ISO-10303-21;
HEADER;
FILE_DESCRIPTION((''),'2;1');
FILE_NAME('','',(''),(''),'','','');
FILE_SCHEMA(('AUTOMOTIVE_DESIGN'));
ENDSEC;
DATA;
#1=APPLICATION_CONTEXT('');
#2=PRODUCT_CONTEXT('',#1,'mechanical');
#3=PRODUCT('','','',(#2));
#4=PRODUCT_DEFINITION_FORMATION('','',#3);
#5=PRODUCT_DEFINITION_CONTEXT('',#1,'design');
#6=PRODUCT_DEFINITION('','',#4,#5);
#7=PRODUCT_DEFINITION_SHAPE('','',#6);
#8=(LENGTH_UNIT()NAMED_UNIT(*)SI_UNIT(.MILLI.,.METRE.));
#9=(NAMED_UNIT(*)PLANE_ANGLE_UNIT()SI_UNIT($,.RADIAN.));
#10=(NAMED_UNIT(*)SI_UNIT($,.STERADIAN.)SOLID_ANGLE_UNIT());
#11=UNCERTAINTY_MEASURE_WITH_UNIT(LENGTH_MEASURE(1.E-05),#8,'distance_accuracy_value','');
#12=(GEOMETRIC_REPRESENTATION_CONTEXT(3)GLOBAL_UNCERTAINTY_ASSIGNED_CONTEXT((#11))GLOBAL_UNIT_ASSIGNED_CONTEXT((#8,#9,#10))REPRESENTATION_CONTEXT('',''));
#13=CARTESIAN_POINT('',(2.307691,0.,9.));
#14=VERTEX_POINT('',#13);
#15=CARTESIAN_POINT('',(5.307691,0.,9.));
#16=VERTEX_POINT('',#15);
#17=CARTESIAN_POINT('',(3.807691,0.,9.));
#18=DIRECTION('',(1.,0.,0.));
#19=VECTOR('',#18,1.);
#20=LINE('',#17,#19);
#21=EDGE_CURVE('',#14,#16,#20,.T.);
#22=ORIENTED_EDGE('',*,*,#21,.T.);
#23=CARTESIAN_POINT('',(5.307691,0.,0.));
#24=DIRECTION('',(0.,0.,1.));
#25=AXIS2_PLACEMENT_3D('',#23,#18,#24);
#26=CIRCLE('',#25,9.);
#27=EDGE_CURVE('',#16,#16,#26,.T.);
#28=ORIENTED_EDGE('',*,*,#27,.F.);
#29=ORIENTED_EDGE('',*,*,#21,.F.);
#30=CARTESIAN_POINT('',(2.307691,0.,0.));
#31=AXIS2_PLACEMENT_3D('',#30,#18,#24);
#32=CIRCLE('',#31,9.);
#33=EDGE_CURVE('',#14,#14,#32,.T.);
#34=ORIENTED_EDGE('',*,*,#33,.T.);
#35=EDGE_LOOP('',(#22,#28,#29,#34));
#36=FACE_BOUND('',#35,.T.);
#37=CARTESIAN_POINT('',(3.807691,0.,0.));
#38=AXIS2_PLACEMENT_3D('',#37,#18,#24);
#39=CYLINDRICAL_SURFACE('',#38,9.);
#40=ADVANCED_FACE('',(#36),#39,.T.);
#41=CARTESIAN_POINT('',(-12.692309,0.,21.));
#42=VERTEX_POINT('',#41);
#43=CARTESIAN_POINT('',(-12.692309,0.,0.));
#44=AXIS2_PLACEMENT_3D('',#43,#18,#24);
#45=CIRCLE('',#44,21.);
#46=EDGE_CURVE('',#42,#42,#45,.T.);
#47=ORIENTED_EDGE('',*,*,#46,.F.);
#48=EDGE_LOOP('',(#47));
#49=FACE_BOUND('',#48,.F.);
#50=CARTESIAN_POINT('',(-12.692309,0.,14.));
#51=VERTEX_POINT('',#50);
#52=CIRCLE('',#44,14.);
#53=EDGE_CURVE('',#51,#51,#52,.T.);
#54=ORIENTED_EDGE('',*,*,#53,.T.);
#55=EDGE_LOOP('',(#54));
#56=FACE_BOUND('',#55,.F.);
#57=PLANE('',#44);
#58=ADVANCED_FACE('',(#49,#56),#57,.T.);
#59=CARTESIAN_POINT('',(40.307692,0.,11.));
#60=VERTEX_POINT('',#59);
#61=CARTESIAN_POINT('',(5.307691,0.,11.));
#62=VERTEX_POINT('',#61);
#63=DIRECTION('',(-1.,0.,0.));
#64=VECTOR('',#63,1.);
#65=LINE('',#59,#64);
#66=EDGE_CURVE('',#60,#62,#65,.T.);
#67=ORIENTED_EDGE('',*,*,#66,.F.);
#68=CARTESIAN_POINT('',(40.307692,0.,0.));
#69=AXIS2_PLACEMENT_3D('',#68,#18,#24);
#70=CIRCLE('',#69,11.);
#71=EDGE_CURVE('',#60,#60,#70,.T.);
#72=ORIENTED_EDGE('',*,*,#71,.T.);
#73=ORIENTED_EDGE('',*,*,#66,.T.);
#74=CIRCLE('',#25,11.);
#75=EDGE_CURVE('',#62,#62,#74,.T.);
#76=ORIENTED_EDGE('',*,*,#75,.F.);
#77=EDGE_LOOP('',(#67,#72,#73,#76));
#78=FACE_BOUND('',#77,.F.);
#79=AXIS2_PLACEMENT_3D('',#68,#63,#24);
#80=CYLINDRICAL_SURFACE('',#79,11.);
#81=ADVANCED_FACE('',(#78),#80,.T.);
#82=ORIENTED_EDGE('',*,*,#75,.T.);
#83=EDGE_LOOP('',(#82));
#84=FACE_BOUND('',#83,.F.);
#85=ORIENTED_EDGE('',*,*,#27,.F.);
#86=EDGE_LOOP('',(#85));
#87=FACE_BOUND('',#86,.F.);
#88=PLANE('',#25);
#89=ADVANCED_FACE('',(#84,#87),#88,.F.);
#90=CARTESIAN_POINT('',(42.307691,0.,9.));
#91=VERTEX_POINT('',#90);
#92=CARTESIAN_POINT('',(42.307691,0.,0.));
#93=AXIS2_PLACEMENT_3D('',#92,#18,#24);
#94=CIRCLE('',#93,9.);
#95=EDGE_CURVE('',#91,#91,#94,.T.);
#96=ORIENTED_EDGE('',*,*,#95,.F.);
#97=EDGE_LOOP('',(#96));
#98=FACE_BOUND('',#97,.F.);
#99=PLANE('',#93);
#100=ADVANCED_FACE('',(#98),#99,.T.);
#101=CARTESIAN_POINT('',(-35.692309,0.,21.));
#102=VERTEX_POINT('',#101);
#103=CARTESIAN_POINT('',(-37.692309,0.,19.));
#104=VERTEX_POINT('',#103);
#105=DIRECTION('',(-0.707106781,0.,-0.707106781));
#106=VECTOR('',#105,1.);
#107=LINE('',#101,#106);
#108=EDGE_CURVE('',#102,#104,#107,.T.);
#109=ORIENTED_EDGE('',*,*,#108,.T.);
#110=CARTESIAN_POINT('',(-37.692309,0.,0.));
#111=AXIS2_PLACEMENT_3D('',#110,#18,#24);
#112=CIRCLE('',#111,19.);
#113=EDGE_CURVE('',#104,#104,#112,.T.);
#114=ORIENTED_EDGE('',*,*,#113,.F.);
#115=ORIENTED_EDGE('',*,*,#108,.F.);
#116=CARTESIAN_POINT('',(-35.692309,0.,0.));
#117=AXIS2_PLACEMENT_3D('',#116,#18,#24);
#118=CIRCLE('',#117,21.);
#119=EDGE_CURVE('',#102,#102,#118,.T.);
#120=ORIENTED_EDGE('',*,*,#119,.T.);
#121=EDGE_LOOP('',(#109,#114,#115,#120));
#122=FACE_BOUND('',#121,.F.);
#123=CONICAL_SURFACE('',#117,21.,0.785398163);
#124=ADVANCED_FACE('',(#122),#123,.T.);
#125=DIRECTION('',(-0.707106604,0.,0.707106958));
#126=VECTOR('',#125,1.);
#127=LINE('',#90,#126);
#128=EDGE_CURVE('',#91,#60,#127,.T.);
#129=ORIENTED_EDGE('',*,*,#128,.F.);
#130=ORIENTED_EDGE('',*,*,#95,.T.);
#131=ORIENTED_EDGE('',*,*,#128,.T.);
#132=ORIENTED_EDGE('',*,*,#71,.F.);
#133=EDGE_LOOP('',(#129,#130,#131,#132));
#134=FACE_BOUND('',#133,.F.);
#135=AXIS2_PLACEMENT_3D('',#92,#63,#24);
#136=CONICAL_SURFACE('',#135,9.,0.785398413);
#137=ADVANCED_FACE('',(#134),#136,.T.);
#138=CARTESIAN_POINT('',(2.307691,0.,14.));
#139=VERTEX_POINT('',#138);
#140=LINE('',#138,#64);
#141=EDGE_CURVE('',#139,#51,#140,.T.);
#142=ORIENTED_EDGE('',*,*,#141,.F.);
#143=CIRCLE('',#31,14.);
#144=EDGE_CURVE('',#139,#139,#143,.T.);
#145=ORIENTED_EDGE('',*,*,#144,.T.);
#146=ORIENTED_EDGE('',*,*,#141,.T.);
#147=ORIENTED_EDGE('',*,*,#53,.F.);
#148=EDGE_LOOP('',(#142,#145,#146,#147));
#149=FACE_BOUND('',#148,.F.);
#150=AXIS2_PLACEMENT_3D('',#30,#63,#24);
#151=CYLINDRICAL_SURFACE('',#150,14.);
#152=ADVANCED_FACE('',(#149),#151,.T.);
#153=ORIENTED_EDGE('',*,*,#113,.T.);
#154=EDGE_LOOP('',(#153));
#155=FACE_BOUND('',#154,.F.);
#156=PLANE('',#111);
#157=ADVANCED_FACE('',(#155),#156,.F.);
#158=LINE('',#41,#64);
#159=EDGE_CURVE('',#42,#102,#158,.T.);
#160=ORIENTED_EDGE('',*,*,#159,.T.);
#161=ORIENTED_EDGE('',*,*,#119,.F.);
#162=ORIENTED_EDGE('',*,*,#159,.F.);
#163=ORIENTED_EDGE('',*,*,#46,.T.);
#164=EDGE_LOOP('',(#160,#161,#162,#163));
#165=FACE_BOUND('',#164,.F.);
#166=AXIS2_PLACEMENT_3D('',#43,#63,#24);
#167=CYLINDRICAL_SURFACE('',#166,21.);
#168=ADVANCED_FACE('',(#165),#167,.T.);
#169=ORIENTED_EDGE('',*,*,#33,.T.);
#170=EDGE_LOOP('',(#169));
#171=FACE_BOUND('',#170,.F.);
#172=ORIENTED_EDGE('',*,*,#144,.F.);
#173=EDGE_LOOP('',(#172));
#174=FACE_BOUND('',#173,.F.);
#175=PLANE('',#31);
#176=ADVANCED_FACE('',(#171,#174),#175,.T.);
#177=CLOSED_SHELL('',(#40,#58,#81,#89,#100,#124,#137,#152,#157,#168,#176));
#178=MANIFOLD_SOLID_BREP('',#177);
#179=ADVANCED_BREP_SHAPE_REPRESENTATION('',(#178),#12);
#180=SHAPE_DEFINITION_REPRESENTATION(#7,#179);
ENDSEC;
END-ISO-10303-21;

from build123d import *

# Parameters (mm, degrees)
F0_W = 3
F0_H = 9


with BuildPart() as f1:
    # F0 (on Front) → F1 (revolve)
    with BuildSketch(Plane.XZ):
        Polygon((-35.692309, 0), (-35.692309, 21), (-37.692309, 19), (-37.692309, 0), align=None)
        Polygon((-12.692309, 21), (-35.692309, 21), (-35.692309, 0), (-12.692309, 0), (-12.692309, 14), align=None)
        Polygon((-12.692309, 14), (-12.692309, 0), (2.307691, 0), (2.307691, 9), (2.307691, 14), align=None)
        with Locations((3.807691, 4.5)):
            Rectangle(F0_W, F0_H)
        Polygon((5.307691, 9), (5.307691, 0), (40.307692, 0), (40.307692, 11), (5.307691, 11), align=None)
        Polygon((40.307692, 11), (40.307692, 0), (42.307691, 0), (42.307691, 9), align=None)
    revolve(axis=Axis((29.279877, 0, 0), (1, 0, 0)))


solid = f1.part
